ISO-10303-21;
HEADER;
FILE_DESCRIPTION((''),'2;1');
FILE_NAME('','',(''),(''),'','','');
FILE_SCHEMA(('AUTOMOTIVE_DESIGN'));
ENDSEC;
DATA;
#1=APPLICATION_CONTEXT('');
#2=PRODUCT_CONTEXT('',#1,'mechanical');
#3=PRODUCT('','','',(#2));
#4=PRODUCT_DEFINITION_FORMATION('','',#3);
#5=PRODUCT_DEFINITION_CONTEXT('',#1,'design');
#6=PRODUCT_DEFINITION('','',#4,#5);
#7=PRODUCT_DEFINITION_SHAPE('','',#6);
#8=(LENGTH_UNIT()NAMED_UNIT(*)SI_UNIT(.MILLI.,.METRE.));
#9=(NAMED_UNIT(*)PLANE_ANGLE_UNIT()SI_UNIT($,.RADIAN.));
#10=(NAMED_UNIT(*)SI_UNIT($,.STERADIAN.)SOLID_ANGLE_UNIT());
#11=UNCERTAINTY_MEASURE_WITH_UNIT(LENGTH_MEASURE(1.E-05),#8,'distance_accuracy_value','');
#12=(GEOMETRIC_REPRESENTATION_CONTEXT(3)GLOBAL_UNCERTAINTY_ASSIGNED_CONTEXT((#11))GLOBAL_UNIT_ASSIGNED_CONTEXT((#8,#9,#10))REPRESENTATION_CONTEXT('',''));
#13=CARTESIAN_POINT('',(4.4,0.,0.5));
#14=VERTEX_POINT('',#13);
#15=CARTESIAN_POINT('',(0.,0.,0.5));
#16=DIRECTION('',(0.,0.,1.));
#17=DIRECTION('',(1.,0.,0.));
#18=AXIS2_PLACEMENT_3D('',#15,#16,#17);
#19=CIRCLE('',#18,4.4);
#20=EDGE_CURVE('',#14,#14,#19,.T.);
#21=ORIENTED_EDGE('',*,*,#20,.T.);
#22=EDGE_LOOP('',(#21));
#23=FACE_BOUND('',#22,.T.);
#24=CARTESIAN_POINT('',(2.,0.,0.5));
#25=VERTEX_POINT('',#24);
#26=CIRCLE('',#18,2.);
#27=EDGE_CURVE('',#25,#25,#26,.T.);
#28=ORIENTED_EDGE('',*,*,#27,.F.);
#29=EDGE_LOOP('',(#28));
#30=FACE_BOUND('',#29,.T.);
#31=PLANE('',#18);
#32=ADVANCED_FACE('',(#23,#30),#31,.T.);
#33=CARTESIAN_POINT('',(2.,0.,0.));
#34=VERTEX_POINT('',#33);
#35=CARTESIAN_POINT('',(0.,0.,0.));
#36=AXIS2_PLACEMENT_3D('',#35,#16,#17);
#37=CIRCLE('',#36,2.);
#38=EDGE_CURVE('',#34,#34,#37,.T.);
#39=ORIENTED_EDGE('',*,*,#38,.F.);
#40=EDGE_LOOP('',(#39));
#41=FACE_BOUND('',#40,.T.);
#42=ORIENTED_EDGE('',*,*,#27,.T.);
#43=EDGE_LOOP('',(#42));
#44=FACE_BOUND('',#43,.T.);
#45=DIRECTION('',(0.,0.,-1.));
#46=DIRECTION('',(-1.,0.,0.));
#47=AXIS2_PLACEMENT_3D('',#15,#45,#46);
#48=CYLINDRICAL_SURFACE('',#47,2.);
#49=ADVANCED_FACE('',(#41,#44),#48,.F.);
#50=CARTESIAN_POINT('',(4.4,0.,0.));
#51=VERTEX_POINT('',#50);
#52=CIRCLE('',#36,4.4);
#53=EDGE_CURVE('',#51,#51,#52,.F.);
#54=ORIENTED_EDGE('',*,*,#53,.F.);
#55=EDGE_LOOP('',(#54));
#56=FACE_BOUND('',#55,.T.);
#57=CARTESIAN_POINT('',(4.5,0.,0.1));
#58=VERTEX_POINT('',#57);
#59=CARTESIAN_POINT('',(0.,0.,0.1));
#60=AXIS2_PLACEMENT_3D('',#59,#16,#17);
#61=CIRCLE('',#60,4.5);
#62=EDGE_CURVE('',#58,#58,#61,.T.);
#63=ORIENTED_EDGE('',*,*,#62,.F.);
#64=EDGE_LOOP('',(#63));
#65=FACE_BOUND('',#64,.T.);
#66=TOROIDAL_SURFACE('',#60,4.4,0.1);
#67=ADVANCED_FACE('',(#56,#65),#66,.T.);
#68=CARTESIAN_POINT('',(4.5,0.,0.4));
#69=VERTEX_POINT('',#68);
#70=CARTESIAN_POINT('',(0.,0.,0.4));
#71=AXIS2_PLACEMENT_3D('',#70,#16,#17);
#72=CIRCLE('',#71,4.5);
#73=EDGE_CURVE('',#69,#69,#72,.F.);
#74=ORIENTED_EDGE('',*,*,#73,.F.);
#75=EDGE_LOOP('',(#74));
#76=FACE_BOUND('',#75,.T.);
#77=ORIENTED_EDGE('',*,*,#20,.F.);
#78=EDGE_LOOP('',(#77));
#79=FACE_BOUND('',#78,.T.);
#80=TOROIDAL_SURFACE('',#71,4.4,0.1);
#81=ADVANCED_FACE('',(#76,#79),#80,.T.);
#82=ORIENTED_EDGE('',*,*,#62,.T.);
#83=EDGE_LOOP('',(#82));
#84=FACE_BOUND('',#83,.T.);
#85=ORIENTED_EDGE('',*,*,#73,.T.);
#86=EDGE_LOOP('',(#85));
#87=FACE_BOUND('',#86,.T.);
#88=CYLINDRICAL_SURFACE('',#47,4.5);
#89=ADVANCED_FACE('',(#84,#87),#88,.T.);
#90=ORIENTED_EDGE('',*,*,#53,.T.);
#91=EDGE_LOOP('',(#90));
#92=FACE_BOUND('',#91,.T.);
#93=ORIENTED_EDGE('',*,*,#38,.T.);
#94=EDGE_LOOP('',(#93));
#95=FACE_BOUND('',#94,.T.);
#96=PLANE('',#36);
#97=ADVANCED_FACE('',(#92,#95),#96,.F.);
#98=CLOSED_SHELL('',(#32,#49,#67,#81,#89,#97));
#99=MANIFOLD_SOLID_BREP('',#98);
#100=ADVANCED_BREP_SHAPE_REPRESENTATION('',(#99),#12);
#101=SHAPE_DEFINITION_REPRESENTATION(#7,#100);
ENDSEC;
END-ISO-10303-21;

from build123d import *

# Parameters (mm, degrees)
ESQUISSE1_R        = 4.5
ESQUISSE1_R_2      = 2
BOSS_EXTRU_1_DEPTH = 0.5
CONG_1_R           = 0.1


with BuildPart() as part:
    # Esquisse1 → Boss.-Extru.1 (new body)
    with BuildSketch(Plane.XY):
        Circle(ESQUISSE1_R)
        Circle(ESQUISSE1_R_2, mode=Mode.SUBTRACT)
    extrude(amount=BOSS_EXTRU_1_DEPTH)

    # Congé1
    cong_1_edges = [part.edges().sort_by_distance(p)[0] for p in [
        (-4.5, 0, 0),
        (-4.5, 0, 0.5),
    ]]
    fillet(cong_1_edges, radius=CONG_1_R)


solid = part.part
